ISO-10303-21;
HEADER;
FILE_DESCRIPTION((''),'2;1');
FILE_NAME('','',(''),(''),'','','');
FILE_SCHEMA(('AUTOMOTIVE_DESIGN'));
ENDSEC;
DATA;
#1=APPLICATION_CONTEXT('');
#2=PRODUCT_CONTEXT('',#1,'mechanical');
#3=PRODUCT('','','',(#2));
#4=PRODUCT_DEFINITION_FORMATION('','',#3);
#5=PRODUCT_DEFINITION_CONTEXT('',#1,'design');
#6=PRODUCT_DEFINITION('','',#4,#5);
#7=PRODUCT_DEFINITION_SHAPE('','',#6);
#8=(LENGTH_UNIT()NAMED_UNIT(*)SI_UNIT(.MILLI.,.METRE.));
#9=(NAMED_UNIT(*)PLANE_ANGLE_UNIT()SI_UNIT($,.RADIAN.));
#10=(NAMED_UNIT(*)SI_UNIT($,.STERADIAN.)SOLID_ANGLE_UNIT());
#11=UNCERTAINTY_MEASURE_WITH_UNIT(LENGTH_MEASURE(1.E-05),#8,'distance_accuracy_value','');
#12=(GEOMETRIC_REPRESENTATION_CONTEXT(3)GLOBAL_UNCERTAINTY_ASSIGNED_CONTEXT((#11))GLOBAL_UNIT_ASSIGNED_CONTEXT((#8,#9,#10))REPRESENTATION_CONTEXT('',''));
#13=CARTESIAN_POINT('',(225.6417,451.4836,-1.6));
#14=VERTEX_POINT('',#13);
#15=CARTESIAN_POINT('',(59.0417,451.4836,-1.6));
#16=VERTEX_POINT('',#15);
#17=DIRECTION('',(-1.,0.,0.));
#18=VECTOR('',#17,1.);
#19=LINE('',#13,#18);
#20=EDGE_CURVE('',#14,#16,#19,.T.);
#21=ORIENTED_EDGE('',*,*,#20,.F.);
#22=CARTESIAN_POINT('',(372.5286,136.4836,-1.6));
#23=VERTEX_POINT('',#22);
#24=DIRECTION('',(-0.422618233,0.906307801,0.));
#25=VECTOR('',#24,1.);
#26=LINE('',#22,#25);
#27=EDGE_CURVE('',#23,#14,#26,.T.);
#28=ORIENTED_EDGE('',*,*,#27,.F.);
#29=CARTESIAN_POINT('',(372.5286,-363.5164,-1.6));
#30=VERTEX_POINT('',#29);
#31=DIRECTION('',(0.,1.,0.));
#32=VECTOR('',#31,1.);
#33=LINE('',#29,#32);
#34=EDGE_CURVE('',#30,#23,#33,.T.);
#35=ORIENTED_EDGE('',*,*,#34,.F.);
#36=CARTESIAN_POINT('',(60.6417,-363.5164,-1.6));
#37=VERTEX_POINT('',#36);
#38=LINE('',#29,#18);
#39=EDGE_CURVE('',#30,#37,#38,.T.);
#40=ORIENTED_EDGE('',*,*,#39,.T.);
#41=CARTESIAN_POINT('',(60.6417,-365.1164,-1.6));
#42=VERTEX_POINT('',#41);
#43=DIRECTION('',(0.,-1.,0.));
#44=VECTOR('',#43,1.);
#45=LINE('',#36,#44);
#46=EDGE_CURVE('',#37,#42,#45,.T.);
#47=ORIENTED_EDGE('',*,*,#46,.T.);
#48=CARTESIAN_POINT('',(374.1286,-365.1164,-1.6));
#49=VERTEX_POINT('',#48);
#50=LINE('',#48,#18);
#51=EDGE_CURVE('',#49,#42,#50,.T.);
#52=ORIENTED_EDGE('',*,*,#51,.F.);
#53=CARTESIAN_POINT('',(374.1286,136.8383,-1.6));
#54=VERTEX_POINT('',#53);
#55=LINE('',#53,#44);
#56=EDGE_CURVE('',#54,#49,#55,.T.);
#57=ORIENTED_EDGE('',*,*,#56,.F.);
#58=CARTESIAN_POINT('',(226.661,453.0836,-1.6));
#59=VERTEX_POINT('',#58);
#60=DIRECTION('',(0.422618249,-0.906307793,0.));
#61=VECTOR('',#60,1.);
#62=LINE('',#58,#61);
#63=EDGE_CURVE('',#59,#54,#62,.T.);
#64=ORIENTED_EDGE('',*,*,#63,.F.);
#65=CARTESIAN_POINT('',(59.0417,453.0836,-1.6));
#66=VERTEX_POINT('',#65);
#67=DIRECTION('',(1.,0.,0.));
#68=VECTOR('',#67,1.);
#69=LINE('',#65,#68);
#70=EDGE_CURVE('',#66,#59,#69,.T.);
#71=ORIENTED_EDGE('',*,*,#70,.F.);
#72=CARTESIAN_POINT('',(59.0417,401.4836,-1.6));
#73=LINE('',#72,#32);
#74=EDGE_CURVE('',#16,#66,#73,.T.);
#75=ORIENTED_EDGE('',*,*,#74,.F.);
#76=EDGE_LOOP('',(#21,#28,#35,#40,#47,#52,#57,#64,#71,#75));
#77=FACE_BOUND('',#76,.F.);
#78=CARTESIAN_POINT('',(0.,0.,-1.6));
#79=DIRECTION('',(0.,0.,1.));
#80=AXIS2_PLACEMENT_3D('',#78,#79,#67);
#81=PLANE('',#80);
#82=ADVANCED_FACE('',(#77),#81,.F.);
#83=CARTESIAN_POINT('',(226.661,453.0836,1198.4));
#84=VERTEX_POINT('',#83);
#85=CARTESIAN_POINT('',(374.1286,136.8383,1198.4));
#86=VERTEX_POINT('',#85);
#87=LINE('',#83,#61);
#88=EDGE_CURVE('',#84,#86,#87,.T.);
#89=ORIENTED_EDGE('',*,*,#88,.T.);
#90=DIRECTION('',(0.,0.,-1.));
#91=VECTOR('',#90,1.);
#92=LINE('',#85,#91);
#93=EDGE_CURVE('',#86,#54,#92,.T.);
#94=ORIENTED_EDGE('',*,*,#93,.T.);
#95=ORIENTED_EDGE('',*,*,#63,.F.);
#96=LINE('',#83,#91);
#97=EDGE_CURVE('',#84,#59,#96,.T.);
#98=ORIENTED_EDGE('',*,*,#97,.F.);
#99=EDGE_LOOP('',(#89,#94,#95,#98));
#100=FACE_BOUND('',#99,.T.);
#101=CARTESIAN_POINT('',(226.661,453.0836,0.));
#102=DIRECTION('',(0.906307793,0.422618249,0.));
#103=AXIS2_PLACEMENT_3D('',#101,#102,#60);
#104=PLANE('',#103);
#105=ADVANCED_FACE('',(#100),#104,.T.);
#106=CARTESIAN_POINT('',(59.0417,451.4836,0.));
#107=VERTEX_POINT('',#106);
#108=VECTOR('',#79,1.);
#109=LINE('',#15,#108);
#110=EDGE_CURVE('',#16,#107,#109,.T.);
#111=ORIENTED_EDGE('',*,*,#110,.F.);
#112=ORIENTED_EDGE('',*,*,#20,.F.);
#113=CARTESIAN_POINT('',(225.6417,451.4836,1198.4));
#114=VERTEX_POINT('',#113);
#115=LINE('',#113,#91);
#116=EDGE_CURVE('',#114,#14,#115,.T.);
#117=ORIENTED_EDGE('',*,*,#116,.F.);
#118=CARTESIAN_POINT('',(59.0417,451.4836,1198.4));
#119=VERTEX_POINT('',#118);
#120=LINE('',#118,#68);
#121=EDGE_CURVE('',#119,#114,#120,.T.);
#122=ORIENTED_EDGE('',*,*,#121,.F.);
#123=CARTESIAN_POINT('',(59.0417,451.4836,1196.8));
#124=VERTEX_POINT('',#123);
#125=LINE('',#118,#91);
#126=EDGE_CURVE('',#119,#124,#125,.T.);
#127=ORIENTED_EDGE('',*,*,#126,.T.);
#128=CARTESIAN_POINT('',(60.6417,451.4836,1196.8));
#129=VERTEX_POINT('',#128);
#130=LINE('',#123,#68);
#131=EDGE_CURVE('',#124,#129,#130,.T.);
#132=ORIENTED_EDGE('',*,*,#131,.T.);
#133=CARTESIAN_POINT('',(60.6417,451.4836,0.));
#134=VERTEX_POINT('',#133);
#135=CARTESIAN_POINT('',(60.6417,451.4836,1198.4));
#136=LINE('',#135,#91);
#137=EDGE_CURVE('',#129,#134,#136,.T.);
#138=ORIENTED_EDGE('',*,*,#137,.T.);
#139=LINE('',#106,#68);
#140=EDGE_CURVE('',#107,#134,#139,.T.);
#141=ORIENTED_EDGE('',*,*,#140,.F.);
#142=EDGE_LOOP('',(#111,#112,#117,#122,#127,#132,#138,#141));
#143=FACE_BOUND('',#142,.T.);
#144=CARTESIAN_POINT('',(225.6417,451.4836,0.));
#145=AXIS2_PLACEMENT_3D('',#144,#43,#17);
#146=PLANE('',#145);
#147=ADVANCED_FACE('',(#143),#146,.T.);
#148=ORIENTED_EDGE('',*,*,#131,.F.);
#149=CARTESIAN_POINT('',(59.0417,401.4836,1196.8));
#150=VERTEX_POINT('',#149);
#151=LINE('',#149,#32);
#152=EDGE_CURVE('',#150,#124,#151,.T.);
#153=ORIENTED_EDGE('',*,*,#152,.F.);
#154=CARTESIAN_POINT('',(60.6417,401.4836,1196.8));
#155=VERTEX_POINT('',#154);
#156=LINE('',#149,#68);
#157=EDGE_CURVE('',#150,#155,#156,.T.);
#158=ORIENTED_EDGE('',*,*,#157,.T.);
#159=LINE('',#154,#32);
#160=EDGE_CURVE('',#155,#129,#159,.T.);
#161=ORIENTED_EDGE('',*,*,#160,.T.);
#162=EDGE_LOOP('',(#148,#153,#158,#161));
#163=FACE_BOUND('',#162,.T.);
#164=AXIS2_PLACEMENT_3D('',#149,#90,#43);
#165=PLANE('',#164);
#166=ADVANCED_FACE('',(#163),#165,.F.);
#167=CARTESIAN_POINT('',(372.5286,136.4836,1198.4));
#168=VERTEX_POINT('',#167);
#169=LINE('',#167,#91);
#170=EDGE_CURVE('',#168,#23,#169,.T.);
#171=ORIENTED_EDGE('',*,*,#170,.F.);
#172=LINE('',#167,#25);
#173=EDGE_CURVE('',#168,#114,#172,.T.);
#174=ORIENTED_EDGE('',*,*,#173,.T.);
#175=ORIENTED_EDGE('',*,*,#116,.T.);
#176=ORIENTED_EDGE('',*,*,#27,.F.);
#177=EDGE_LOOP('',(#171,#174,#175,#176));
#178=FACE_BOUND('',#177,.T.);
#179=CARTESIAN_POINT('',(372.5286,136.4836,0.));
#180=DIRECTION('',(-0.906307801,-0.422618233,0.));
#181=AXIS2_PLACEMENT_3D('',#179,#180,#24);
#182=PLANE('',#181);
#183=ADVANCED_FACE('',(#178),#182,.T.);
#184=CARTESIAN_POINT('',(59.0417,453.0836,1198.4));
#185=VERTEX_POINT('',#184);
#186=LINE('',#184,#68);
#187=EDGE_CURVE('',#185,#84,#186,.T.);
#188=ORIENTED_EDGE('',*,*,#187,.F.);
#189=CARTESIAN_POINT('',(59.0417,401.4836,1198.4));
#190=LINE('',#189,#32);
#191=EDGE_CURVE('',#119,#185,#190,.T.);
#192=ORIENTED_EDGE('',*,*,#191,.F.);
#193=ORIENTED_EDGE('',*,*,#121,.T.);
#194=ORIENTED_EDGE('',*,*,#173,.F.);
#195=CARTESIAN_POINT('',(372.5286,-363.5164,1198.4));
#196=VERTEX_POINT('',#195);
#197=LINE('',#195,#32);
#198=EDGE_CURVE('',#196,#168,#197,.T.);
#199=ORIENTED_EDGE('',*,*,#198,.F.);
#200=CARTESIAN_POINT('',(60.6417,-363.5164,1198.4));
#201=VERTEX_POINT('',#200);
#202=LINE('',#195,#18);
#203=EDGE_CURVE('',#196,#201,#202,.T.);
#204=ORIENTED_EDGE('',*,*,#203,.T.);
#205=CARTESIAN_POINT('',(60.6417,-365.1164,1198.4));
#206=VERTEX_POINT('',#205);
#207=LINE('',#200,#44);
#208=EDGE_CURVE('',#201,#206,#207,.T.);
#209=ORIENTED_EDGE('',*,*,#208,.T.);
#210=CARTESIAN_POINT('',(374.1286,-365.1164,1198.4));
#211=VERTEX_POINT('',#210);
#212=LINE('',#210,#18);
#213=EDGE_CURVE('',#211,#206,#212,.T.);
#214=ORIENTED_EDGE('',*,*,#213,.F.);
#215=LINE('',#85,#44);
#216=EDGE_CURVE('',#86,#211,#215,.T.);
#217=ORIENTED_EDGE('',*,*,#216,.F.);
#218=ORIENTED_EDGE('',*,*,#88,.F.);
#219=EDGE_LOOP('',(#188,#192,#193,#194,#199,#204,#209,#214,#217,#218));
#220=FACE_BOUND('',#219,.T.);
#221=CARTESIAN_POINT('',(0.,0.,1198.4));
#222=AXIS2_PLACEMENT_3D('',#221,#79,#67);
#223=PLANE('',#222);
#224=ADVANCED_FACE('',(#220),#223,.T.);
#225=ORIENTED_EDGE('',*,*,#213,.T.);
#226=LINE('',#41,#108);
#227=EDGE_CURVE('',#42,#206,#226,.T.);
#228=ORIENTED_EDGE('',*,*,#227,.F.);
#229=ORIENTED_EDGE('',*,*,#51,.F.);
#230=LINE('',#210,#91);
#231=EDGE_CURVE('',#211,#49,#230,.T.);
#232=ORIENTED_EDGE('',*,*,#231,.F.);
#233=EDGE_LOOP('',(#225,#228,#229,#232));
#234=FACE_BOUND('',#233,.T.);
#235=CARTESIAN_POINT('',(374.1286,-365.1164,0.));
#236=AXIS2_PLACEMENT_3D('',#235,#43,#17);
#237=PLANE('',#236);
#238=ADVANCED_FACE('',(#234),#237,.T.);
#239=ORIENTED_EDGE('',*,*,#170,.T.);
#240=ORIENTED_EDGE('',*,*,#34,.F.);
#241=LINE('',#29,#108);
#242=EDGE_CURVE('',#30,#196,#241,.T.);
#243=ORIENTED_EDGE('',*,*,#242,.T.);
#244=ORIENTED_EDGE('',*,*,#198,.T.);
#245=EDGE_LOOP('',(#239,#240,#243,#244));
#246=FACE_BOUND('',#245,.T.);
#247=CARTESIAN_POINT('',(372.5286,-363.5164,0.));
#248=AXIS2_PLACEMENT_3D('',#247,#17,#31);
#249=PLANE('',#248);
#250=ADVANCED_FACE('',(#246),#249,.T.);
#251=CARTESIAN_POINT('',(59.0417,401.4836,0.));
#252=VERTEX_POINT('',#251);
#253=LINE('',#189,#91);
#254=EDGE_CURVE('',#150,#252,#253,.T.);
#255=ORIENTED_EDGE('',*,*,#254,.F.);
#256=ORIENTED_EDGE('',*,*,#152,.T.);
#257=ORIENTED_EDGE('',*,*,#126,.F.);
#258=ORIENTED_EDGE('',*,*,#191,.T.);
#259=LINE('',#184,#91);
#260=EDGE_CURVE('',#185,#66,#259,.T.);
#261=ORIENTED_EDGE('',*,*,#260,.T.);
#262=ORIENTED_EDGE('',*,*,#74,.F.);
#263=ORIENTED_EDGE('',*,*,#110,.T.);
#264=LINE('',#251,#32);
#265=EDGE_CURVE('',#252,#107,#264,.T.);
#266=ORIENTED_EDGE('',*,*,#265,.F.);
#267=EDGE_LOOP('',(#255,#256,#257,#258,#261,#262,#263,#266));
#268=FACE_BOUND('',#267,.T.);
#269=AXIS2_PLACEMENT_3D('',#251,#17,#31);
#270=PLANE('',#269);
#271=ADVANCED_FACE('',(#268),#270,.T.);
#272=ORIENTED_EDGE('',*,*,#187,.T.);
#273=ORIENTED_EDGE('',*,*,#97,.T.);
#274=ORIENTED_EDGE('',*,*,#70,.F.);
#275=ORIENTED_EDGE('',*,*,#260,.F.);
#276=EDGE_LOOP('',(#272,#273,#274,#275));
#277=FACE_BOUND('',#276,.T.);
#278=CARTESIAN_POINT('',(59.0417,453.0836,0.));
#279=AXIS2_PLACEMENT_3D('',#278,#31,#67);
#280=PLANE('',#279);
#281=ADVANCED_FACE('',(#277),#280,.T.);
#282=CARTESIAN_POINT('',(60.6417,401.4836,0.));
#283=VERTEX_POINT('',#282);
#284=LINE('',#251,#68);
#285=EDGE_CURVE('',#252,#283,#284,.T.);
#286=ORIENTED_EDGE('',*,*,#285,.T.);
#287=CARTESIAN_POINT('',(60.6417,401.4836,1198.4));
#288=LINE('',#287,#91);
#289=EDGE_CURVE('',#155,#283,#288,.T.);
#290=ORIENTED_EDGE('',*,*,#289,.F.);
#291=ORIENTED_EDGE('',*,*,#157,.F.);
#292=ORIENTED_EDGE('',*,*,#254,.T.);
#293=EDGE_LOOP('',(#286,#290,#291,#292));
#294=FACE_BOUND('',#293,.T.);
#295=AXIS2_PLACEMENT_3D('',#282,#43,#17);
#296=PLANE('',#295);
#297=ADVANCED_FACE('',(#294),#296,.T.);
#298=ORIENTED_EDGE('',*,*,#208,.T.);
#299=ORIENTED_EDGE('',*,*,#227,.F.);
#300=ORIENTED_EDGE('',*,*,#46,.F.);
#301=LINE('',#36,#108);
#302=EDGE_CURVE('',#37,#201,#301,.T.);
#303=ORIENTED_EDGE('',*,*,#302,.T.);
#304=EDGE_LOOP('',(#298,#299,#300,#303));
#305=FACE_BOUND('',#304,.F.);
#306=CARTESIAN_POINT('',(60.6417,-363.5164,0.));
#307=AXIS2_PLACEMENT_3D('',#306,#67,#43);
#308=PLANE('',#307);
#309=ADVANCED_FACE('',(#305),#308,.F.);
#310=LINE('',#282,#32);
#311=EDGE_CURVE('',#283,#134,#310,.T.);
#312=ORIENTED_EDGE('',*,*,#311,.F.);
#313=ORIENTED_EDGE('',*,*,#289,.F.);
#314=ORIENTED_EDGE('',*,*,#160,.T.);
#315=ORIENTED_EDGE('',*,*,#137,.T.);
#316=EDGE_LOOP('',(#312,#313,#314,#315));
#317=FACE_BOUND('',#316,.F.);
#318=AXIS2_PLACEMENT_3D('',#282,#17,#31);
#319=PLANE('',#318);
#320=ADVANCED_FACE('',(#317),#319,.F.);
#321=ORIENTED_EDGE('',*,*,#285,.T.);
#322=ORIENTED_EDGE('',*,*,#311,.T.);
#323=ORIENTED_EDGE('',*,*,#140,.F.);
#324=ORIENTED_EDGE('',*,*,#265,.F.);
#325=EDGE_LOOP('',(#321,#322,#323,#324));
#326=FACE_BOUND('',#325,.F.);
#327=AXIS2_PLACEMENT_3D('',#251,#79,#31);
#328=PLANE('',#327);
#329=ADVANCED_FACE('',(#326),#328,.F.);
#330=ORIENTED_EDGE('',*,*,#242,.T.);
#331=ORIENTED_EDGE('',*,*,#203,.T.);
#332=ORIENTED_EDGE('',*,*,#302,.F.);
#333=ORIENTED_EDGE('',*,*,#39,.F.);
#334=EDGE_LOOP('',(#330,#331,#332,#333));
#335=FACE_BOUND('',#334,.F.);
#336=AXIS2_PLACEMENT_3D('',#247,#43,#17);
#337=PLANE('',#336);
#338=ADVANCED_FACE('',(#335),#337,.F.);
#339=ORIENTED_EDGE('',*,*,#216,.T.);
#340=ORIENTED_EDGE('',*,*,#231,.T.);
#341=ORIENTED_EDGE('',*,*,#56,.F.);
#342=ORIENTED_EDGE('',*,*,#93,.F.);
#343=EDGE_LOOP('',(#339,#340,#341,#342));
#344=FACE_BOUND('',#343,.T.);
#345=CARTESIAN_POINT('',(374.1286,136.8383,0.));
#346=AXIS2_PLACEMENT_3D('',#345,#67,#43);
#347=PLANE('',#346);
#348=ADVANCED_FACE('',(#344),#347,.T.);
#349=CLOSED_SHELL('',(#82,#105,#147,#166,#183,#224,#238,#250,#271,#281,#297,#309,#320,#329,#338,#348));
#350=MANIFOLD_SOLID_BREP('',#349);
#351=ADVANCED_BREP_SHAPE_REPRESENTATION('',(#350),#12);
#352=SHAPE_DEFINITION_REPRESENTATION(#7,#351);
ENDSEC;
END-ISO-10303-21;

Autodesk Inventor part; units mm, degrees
ref_plane "YZ Plane" through (0, 0, 0) normal (1, 0, 0) x (0, 1, 0)
ref_plane "XZ Plane" through (0, 0, 0) normal (0, 1, 0) x (-1, 0, 0)
ref_plane "XY Plane" through (0, 0, 0) normal (0, 0, 1) x (1, 0, 0)
ref_plane "Work Plane1" through (0, 0, 0) normal (0, 0, 1) x (1, 0, 0)
sketch "Sketch1" plane through (0, 0, 0) normal (0, 0, 1) x (1, 0, 0)
  line L0 (372.5286, -363.5164) -> (372.5286, 136.4836) projected
  line L1 (372.5286, 136.4836) -> (225.6417, 451.4836) projected
  line L2 (225.6417, 451.4836) -> (-104.3583, 451.4836) construction
  line L3 (-185.3519, -363.5164) -> (372.5286, -363.5164) construction
  line L4 (225.6417, 451.4836) -> (60.6417, 451.4836)
  line L5 (60.6417, 401.4836) -> (60.6417, 451.4836)
  line L6 (372.5286, -363.5164) -> (60.6417, -363.5164)
  line L7 (60.6417, 401.4836) -> (60.6417, -363.5164) construction
  line L8 (59.0417, 453.0836) -> (226.661, 453.0836)
  line L9 (226.661, 453.0836) -> (374.1286, 136.8383)
  line L10 (374.1286, 136.8383) -> (374.1286, -365.1164)
  line L11 (374.1286, -365.1164) -> (60.6417, -365.1164)
  line L12 (60.6417, -363.5164) -> (60.6417, -365.1164)
  line L13 (60.6417, 401.4836) -> (59.0417, 401.4836)
  line L14 (59.0417, 401.4836) -> (59.0417, 453.0836)
  point P0 (0, 0)
  dimension "d0" = 50
  dimension "d1" = 1.6
  dimension "d2" = 1.6
  dimension "d3" = 816.6
  dimension "d4" = 816.6
extrude "Extrusion1" add sketch "Sketch1" along normal blind 1198.4 and the other way blind 1.6
sketch "Sketch2" plane through (59.0417, 401.4836, -1.6) normal (-1, 0, 0) x (0, 0, 1)
  line L0 (0, 0) -> (0, 51.6) projected
  line L1 (1200, 0) -> (0, 0) projected
  line L2 (0, 50) -> (0, 0)
  line L3 (0, 0) -> (1.6, 0)
  line L4 (1.6, 0) -> (1.6, 50)
  line L5 (0, 50) -> (1.6, 50) projected
  point P0 (1.6, -401.4836)
  point P1 (0, 50)
  dimension "d14" = 1.6
extrude "Extrusion2" cut sketch "Sketch2" against normal blind 1.6
ref_plane "Work Plane2" through (0, 0, 598.4) normal (0, 0, 1) x (1, 0, 0)
mirror "Mirror1" about plane through (0, 0, 598.4) normal (0, 0, 1) of "Extrusion2"
properties part number "Back Cover"
